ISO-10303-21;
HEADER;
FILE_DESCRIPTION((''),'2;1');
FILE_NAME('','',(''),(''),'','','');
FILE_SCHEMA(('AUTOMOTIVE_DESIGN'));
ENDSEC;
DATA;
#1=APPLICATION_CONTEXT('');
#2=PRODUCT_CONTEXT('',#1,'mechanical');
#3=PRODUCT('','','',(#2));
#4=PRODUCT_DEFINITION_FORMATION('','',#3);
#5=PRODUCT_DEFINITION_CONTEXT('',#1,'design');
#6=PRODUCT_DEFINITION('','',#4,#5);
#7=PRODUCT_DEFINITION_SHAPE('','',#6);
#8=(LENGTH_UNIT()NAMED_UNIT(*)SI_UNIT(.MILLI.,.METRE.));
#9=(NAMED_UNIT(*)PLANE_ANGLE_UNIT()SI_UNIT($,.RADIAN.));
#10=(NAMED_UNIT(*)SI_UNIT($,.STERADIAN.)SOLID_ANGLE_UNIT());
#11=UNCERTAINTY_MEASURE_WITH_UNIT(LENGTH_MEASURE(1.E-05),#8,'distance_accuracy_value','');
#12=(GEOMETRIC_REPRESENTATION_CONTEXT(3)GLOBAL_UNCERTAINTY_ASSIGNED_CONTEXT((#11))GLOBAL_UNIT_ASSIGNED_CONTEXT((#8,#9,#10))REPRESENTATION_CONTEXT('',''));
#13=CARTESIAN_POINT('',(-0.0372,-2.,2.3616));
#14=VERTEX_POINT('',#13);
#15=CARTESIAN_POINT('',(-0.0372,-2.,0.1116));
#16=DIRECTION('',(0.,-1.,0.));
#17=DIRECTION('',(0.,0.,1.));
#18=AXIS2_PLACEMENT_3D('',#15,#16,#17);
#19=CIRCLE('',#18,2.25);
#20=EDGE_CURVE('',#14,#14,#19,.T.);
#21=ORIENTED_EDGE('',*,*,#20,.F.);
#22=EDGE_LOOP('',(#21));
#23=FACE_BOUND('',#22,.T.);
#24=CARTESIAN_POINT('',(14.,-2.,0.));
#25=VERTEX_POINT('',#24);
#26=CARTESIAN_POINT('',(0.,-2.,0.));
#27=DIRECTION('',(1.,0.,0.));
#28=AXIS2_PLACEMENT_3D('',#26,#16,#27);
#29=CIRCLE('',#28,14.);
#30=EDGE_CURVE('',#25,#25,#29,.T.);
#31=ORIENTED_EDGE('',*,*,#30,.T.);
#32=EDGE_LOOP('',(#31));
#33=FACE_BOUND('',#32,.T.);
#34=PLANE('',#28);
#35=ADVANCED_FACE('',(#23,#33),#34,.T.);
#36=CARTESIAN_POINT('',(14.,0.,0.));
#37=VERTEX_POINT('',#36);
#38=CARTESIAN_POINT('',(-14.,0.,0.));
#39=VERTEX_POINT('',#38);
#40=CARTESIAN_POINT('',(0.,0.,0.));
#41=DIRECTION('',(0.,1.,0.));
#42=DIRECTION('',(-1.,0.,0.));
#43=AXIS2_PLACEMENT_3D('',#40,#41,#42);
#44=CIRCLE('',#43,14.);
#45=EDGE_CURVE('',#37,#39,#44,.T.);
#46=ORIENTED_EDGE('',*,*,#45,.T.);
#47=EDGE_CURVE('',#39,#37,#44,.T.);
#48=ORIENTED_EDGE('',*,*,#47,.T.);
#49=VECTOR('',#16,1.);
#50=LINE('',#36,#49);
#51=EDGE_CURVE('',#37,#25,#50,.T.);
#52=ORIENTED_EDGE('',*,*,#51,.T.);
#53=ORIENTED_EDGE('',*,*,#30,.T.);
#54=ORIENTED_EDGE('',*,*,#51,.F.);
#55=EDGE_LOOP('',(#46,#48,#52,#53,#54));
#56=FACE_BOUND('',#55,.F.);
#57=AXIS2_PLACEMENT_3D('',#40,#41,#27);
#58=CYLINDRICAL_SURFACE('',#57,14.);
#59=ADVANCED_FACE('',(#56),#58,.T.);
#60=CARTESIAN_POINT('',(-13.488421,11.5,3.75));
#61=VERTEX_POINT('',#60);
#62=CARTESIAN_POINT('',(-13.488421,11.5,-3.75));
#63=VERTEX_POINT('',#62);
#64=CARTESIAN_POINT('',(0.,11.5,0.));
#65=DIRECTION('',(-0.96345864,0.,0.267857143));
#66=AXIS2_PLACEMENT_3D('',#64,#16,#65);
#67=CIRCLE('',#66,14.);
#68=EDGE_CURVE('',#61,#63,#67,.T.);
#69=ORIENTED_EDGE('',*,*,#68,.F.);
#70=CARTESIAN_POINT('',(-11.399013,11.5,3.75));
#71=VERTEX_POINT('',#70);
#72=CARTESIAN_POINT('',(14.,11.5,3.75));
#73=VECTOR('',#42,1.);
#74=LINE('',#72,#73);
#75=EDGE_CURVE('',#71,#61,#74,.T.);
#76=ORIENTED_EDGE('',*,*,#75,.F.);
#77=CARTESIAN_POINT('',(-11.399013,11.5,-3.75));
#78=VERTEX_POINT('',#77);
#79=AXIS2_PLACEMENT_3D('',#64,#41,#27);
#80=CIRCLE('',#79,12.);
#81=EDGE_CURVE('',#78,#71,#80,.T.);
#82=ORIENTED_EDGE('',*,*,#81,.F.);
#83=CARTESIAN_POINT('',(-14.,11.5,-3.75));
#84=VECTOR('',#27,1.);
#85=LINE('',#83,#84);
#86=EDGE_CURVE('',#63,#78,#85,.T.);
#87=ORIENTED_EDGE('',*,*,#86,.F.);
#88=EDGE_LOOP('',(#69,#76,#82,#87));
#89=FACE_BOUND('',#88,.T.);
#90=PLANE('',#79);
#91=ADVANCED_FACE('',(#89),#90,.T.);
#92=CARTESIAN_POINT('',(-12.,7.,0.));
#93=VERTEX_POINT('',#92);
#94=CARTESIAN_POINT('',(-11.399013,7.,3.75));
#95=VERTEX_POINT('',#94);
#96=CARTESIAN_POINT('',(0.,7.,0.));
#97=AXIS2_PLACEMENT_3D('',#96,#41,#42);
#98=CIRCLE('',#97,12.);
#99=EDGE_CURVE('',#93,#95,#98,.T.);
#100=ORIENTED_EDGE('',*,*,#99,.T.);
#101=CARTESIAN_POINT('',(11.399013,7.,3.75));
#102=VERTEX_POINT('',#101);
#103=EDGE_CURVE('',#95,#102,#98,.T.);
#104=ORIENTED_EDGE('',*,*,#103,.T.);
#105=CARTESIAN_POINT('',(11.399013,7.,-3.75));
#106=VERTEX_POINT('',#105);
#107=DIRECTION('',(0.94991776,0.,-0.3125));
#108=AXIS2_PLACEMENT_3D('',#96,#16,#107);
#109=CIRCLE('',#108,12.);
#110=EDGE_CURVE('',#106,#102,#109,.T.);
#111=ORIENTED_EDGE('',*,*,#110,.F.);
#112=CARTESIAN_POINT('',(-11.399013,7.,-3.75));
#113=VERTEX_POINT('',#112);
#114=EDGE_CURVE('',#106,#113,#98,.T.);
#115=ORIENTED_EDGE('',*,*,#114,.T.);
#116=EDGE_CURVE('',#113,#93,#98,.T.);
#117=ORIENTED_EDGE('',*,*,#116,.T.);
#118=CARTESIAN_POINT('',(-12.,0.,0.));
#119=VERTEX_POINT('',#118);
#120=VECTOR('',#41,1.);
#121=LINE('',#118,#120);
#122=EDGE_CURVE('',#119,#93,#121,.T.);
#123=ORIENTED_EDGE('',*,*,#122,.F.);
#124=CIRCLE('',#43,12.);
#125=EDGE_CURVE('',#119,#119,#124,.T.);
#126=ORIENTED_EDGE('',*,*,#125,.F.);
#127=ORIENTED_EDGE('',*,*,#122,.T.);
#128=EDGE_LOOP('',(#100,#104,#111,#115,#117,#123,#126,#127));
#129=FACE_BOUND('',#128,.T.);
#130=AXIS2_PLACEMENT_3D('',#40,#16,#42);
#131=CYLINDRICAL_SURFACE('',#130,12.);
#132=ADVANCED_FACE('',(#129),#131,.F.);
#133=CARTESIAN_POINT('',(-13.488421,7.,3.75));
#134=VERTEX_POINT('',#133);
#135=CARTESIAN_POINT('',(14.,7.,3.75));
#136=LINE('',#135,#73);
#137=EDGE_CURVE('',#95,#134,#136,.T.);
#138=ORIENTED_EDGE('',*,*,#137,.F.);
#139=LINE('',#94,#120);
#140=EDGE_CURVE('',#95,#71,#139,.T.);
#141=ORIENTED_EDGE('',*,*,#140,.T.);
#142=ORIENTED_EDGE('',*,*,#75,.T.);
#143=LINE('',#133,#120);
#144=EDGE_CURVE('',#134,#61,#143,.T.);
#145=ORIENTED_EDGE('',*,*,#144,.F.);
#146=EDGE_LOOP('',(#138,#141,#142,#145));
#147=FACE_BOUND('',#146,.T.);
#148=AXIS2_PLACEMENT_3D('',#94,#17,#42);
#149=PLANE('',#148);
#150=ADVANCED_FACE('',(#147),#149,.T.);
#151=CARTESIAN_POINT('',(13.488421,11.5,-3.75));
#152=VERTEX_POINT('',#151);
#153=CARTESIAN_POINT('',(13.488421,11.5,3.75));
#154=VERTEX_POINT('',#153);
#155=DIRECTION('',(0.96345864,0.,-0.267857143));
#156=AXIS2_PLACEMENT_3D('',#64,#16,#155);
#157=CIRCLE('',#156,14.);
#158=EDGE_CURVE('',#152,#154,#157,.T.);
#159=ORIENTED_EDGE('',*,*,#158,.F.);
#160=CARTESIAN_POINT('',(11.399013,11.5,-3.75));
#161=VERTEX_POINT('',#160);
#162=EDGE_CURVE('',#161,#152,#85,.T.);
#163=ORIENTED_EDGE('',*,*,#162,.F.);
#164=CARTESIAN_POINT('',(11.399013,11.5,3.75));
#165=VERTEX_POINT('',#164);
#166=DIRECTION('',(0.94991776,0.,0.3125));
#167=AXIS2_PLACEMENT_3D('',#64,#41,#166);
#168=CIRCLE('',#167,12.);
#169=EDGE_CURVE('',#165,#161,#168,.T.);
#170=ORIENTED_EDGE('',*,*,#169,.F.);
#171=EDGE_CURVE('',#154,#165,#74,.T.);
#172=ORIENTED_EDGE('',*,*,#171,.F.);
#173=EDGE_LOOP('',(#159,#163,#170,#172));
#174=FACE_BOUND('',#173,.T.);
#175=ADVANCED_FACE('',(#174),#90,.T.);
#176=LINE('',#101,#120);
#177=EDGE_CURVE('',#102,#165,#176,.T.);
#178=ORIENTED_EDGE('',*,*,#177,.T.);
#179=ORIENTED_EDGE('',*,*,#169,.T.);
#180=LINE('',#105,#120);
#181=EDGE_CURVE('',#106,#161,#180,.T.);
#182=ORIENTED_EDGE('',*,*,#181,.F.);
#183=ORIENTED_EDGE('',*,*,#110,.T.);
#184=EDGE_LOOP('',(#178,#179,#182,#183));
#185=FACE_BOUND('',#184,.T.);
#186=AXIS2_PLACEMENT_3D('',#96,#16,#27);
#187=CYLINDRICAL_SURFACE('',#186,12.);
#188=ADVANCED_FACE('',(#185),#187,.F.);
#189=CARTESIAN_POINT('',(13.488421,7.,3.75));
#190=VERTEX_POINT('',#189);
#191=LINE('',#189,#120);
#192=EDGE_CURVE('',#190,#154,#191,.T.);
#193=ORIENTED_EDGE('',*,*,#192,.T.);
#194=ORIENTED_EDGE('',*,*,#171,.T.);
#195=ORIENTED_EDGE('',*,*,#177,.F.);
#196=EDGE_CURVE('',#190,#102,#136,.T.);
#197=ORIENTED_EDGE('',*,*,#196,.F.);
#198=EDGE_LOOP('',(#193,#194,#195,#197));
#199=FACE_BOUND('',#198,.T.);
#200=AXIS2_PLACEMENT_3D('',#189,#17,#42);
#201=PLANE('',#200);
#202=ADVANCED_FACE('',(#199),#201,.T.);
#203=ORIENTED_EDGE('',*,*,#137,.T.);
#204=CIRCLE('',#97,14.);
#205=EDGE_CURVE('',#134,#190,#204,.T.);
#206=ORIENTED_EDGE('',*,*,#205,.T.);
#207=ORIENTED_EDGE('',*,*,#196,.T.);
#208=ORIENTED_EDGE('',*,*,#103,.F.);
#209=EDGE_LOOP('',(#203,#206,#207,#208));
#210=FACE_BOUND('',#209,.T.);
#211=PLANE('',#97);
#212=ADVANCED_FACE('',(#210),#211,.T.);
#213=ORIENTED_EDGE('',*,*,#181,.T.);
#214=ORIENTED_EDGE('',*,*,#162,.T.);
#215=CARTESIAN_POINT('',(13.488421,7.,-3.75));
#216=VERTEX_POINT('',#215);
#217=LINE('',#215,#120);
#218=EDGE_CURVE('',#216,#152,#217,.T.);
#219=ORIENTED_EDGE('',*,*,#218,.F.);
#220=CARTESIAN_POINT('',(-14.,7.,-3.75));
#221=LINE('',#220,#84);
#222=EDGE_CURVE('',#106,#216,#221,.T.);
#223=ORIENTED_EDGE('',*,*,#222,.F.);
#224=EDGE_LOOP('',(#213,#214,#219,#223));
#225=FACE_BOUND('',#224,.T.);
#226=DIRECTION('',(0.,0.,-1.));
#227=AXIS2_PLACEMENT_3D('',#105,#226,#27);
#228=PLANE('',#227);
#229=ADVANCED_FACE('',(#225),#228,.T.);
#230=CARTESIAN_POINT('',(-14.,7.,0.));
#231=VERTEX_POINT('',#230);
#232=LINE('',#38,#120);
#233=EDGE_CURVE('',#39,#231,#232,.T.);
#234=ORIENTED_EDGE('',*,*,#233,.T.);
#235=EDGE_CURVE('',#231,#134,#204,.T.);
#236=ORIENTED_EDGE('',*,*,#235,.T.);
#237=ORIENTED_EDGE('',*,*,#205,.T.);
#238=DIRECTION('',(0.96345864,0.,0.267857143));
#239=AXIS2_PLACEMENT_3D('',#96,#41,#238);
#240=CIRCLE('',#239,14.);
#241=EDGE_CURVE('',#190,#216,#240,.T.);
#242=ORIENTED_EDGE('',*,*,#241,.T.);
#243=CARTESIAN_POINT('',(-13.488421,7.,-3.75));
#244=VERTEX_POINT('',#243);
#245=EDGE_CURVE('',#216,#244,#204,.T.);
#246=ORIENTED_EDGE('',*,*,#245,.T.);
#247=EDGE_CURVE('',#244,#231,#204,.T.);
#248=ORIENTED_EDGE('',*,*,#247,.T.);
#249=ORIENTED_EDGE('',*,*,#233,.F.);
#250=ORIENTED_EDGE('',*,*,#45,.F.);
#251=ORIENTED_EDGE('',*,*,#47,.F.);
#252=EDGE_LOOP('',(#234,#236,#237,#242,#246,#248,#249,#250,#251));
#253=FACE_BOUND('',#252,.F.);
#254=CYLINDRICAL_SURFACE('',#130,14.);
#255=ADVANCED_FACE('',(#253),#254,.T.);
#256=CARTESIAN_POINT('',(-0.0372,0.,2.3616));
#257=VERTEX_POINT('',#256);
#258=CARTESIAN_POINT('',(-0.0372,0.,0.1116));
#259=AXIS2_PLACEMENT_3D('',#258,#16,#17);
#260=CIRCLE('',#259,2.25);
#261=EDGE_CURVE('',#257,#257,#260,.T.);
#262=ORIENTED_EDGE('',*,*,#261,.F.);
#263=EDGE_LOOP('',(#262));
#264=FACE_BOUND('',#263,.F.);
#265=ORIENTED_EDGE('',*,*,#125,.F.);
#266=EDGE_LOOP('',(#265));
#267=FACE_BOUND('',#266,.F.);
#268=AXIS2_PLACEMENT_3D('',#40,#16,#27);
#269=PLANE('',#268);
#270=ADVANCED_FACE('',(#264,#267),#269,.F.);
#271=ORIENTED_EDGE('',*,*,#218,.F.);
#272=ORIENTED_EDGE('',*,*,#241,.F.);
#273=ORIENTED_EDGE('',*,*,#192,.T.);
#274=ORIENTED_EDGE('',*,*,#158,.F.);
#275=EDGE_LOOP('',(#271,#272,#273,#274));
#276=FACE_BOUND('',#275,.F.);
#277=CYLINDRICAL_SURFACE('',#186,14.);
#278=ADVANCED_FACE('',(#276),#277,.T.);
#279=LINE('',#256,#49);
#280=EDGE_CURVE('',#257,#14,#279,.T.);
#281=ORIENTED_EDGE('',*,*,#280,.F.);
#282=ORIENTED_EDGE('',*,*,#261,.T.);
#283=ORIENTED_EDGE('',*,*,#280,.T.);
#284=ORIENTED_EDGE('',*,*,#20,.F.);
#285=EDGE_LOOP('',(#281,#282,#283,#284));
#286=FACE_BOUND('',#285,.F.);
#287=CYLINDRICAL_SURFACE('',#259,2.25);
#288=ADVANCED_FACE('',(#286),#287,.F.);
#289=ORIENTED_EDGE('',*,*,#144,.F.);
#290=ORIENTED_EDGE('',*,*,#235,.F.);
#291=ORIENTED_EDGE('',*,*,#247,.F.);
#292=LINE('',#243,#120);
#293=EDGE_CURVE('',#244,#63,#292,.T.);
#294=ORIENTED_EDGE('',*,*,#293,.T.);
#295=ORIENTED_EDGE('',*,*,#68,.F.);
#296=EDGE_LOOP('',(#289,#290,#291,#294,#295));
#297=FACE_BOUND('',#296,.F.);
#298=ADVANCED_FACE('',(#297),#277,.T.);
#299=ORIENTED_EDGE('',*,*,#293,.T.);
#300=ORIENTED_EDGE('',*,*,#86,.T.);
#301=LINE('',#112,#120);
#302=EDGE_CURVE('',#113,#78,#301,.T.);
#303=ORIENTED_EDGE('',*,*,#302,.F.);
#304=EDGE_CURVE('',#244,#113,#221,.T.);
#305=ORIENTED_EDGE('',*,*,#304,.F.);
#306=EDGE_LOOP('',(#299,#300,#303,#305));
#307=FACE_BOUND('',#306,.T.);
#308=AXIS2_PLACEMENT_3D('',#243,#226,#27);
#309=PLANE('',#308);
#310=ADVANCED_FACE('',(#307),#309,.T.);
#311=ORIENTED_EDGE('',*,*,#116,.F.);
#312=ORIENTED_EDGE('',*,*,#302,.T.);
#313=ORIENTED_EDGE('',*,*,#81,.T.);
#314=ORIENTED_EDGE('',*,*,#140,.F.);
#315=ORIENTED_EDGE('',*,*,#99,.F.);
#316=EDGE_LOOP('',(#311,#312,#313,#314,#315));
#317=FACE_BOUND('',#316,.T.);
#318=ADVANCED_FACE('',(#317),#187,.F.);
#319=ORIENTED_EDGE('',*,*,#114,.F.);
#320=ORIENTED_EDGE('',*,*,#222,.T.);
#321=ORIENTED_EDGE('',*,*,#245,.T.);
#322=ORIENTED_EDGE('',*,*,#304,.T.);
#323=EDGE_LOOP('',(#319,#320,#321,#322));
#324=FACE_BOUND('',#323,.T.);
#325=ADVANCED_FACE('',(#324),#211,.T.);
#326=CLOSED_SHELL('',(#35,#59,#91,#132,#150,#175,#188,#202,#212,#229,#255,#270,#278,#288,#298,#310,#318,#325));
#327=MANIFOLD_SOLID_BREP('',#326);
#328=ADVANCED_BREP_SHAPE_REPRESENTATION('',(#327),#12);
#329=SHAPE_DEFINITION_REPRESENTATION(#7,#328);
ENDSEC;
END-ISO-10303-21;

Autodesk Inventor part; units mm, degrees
ref_plane "YZ Plane" through (0, 0, 0) normal (1, 0, 0) x (0, 1, 0)
ref_plane "XZ Plane" through (0, 0, 0) normal (0, 1, 0) x (-1, 0, 0)
ref_plane "XY Plane" through (0, 0, 0) normal (0, 0, 1) x (1, 0, 0)
sketch "Sketch1" plane through (0, 0, 0) normal (0, 1, 0) x (-1, 0, 0)
  circle A0 centre (0, 0) radius 14
  circle A1 centre (0, 0) radius 12
  dimension "d0" = 28
  dimension "d1" = 24
extrude "Extrusion1" add sketch "Sketch1" along normal blind 7
sketch "Sketch2" plane through (0, 7, 0) normal (0, 1, 0) x (1, 0, 0)
  line L0 (14, -3.75) -> (-14, -3.75)
  line L1 (-14, -3.75) -> (-14, 3.75)
  line L2 (-14, 3.75) -> (14, 3.75)
  line L3 (14, 3.75) -> (14, -3.75)
  line L4 (14, -3.75) -> (-14, 3.75) construction
  line L5 (-14, -3.75) -> (14, 3.75) construction
  line L6 (-0.5, 5) -> (0.5, 5)
  line L7 (0.5, 5) -> (0.5, -5)
  line L8 (0.5, -5) -> (-0.5, -5)
  line L9 (-0.5, -5) -> (-0.5, 5)
  line L10 (-0.5, 5) -> (0.5, -5) construction
  line L11 (0.5, 5) -> (-0.5, -5) construction
  circle A0 centre (0, 0) radius 12
  circle A1 centre (0, 0) radius 14
  point P0 (0, 0)
  point P1 (-13.4884, 3.75)
  point P2 (-13.4884, -3.75)
  point P3 (-11.399, -3.75)
  point P4 (-11.399, 3.75)
  point P5 (13.4884, 3.75)
  point P6 (11.399, 3.75)
  point P7 (11.399, -3.75)
  point P8 (13.4884, -3.75)
  dimension "d4" = 28
  dimension "d5" = 7.5
  dimension "d27" = 24
  dimension "d28" = 28
sketch "Sketch3" plane through (0, 0, 0) normal (0, -1, 0) x (1, 0, 0)
  circle A0 centre (0, 0) radius 14
  dimension "d17" = 28
extrude "Extrusion3" add sketch "Sketch3" along normal blind 2
sketch "Sketch5" plane through (0, 0, 0) normal (0, 1, 0) x (1, 0, 0)
  point P0 (0, 0)
  point P1 (-0.0372, -0.1116)
hole "Hole2" at (-0.0372, 0, 0.1116) direction (0, -1, 0) diameter 4.5 end through all clearance for "Hex Head Machine Screw" size "M4" standard "Ansi Metric M Profile"
extrude "Extrusion4" add sketch "Sketch2" along normal blind 4.5 contours L0 A0 L2 A1 | A1 L2 A0 L0
properties part number "magneticslotV1"
